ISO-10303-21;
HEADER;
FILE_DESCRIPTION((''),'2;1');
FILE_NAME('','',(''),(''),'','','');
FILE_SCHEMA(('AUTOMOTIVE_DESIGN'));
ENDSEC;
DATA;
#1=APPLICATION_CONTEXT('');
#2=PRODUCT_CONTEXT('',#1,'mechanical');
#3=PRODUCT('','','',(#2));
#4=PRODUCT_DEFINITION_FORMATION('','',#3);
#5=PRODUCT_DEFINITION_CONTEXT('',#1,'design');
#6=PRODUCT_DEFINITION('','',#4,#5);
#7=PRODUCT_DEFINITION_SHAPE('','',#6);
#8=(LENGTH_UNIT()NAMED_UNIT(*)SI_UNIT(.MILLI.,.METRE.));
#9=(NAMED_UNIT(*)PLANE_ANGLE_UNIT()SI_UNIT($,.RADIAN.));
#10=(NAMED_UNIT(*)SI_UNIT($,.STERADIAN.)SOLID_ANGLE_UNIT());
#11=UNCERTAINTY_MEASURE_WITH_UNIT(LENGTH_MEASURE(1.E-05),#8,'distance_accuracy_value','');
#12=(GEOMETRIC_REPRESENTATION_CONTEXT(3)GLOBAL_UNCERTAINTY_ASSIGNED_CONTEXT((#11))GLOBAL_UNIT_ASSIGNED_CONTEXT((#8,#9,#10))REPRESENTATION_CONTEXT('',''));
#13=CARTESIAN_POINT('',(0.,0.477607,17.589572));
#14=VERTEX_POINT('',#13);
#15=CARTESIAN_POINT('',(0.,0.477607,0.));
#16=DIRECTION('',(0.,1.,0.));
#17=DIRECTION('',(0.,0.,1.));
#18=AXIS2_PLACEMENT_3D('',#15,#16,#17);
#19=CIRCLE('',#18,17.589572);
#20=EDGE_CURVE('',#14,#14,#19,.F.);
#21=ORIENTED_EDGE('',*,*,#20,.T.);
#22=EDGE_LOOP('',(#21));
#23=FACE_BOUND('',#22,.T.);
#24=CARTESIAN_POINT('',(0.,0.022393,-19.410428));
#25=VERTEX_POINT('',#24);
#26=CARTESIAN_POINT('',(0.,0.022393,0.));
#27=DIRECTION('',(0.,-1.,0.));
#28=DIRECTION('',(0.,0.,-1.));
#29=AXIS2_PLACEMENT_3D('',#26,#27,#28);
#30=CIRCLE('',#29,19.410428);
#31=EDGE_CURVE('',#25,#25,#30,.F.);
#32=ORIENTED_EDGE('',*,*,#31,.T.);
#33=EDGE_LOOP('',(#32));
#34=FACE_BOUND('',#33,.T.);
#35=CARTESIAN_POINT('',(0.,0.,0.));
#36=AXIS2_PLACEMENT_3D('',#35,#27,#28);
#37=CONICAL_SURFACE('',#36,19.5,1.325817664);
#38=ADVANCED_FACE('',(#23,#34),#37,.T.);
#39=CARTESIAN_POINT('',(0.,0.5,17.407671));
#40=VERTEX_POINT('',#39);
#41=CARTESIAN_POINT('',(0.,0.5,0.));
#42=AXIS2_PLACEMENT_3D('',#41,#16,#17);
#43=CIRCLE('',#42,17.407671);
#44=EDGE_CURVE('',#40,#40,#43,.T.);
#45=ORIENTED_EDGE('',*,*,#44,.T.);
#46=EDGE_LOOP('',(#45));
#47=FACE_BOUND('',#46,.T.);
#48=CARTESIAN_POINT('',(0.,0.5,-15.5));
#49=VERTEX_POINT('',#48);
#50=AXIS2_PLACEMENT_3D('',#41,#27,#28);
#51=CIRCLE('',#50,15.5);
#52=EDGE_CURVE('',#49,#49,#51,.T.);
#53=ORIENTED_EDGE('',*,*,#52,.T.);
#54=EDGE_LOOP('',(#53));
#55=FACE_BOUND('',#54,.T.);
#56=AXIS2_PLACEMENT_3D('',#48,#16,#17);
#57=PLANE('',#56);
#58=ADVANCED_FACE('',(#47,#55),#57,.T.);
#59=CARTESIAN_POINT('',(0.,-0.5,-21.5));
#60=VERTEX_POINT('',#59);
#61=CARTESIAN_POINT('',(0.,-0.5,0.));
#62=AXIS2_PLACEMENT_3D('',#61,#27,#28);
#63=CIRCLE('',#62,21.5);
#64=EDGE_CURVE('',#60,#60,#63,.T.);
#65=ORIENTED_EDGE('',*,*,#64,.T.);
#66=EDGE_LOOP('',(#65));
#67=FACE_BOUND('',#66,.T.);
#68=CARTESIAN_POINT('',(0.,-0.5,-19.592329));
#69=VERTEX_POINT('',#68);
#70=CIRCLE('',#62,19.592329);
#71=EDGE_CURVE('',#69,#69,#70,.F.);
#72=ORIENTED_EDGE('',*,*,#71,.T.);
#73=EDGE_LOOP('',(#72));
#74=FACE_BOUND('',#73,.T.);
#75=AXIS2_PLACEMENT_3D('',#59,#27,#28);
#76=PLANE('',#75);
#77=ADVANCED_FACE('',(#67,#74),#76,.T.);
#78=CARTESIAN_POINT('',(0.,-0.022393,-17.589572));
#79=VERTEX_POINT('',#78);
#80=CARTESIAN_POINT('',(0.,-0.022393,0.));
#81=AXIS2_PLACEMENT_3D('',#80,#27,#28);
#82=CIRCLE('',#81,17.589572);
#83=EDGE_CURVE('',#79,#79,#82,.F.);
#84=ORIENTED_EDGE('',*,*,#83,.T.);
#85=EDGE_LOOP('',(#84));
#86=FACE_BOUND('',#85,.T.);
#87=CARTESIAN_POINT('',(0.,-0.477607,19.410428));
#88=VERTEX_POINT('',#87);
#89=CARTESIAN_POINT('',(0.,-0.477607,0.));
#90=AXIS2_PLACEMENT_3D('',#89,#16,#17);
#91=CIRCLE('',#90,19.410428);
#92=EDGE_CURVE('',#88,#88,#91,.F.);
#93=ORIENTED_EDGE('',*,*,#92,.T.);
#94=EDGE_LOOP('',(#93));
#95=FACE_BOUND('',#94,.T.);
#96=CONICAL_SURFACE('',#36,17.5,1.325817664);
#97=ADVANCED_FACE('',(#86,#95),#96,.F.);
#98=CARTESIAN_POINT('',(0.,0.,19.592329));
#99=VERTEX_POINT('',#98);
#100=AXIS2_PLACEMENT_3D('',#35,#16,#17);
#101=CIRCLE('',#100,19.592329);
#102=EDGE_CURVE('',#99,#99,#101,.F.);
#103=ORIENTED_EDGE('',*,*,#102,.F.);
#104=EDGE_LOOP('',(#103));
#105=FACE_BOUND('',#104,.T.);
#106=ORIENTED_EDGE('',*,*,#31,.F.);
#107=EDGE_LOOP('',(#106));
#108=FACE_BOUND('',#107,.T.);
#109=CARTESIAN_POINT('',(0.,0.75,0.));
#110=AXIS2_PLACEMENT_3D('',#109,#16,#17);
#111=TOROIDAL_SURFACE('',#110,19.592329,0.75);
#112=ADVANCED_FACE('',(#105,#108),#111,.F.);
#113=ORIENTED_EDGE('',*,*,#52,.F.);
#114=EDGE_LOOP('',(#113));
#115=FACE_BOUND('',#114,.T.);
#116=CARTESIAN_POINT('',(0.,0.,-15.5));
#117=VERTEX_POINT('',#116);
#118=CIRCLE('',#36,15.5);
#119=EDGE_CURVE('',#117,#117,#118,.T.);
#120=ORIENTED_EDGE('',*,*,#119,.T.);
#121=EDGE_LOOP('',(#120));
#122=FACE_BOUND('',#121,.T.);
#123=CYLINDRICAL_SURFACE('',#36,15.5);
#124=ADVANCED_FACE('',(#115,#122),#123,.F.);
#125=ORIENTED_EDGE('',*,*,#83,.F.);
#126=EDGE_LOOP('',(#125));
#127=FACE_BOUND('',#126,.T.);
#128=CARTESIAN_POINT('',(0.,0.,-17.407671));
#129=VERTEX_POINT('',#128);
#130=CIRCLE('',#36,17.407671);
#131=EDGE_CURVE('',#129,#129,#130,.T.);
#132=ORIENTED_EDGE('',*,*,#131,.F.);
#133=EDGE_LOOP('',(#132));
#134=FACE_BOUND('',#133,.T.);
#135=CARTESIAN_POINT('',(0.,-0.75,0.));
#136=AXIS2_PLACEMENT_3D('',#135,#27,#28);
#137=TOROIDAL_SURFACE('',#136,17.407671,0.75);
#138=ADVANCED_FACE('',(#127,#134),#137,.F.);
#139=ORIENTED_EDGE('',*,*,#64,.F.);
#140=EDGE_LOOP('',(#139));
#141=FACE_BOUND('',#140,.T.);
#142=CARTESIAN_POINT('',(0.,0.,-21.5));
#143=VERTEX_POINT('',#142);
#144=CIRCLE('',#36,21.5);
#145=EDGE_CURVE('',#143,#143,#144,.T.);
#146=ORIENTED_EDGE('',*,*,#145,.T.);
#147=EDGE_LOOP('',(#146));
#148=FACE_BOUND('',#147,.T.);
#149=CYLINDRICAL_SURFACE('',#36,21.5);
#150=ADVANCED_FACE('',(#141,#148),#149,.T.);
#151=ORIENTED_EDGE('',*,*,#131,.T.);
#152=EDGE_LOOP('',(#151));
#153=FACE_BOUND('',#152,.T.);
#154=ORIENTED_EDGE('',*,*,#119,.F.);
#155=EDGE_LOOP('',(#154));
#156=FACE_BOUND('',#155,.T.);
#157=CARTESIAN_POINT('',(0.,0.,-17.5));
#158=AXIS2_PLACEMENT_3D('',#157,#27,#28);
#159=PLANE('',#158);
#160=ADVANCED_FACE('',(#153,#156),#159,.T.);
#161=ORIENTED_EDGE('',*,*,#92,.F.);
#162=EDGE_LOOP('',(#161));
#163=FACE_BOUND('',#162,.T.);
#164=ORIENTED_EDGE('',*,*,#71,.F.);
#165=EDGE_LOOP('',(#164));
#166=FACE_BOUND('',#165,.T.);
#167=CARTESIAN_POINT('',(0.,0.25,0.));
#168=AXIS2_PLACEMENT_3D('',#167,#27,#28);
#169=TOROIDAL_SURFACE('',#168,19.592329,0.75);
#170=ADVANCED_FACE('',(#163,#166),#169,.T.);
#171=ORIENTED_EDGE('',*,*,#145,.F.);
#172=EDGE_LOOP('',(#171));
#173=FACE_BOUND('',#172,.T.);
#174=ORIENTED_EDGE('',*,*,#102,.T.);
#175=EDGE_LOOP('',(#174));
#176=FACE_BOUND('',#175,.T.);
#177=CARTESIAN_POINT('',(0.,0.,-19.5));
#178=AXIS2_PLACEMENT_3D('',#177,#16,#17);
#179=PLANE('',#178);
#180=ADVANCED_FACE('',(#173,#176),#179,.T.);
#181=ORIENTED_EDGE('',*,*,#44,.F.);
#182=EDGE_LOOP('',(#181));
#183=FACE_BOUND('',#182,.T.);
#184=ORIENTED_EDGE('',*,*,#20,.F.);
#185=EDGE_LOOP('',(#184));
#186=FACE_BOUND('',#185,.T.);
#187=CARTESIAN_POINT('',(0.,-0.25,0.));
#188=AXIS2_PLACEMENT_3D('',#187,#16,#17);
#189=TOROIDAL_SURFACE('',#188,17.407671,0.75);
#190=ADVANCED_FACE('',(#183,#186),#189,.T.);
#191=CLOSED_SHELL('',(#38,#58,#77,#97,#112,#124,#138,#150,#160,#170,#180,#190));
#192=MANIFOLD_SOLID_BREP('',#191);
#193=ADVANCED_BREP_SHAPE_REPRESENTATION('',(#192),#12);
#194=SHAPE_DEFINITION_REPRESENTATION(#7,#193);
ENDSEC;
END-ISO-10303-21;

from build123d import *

# Parameters (mm, degrees)
FILLET1_R = 0.75


with BuildPart() as part:
    # Sketch1 → Revolve1 (revolve)
    with BuildSketch(Plane(origin=(0, 0, 0), x_dir=(0, 0, -1), z_dir=(1, 0, 0))):
        Polygon((15.5, 0.5), (17.5, 0.5), (19.5, 0), (21.5, 0), (21.5, -0.5), (19.5, -0.5), (17.5, 0), (15.5, 0), align=None)
    revolve(axis=Axis((0, 0, 0), (0, 1, 0)))

    # Fillet1
    fillet1_edges = [part.edges().sort_by_distance(p)[0] for p in [
        (0, 0, 17.5),
        (0, -0.5, 19.5),
        (0, 0, 19.5),
        (0, 0.5, 17.5),
    ]]
    fillet(fillet1_edges, radius=FILLET1_R)


solid = part.part
